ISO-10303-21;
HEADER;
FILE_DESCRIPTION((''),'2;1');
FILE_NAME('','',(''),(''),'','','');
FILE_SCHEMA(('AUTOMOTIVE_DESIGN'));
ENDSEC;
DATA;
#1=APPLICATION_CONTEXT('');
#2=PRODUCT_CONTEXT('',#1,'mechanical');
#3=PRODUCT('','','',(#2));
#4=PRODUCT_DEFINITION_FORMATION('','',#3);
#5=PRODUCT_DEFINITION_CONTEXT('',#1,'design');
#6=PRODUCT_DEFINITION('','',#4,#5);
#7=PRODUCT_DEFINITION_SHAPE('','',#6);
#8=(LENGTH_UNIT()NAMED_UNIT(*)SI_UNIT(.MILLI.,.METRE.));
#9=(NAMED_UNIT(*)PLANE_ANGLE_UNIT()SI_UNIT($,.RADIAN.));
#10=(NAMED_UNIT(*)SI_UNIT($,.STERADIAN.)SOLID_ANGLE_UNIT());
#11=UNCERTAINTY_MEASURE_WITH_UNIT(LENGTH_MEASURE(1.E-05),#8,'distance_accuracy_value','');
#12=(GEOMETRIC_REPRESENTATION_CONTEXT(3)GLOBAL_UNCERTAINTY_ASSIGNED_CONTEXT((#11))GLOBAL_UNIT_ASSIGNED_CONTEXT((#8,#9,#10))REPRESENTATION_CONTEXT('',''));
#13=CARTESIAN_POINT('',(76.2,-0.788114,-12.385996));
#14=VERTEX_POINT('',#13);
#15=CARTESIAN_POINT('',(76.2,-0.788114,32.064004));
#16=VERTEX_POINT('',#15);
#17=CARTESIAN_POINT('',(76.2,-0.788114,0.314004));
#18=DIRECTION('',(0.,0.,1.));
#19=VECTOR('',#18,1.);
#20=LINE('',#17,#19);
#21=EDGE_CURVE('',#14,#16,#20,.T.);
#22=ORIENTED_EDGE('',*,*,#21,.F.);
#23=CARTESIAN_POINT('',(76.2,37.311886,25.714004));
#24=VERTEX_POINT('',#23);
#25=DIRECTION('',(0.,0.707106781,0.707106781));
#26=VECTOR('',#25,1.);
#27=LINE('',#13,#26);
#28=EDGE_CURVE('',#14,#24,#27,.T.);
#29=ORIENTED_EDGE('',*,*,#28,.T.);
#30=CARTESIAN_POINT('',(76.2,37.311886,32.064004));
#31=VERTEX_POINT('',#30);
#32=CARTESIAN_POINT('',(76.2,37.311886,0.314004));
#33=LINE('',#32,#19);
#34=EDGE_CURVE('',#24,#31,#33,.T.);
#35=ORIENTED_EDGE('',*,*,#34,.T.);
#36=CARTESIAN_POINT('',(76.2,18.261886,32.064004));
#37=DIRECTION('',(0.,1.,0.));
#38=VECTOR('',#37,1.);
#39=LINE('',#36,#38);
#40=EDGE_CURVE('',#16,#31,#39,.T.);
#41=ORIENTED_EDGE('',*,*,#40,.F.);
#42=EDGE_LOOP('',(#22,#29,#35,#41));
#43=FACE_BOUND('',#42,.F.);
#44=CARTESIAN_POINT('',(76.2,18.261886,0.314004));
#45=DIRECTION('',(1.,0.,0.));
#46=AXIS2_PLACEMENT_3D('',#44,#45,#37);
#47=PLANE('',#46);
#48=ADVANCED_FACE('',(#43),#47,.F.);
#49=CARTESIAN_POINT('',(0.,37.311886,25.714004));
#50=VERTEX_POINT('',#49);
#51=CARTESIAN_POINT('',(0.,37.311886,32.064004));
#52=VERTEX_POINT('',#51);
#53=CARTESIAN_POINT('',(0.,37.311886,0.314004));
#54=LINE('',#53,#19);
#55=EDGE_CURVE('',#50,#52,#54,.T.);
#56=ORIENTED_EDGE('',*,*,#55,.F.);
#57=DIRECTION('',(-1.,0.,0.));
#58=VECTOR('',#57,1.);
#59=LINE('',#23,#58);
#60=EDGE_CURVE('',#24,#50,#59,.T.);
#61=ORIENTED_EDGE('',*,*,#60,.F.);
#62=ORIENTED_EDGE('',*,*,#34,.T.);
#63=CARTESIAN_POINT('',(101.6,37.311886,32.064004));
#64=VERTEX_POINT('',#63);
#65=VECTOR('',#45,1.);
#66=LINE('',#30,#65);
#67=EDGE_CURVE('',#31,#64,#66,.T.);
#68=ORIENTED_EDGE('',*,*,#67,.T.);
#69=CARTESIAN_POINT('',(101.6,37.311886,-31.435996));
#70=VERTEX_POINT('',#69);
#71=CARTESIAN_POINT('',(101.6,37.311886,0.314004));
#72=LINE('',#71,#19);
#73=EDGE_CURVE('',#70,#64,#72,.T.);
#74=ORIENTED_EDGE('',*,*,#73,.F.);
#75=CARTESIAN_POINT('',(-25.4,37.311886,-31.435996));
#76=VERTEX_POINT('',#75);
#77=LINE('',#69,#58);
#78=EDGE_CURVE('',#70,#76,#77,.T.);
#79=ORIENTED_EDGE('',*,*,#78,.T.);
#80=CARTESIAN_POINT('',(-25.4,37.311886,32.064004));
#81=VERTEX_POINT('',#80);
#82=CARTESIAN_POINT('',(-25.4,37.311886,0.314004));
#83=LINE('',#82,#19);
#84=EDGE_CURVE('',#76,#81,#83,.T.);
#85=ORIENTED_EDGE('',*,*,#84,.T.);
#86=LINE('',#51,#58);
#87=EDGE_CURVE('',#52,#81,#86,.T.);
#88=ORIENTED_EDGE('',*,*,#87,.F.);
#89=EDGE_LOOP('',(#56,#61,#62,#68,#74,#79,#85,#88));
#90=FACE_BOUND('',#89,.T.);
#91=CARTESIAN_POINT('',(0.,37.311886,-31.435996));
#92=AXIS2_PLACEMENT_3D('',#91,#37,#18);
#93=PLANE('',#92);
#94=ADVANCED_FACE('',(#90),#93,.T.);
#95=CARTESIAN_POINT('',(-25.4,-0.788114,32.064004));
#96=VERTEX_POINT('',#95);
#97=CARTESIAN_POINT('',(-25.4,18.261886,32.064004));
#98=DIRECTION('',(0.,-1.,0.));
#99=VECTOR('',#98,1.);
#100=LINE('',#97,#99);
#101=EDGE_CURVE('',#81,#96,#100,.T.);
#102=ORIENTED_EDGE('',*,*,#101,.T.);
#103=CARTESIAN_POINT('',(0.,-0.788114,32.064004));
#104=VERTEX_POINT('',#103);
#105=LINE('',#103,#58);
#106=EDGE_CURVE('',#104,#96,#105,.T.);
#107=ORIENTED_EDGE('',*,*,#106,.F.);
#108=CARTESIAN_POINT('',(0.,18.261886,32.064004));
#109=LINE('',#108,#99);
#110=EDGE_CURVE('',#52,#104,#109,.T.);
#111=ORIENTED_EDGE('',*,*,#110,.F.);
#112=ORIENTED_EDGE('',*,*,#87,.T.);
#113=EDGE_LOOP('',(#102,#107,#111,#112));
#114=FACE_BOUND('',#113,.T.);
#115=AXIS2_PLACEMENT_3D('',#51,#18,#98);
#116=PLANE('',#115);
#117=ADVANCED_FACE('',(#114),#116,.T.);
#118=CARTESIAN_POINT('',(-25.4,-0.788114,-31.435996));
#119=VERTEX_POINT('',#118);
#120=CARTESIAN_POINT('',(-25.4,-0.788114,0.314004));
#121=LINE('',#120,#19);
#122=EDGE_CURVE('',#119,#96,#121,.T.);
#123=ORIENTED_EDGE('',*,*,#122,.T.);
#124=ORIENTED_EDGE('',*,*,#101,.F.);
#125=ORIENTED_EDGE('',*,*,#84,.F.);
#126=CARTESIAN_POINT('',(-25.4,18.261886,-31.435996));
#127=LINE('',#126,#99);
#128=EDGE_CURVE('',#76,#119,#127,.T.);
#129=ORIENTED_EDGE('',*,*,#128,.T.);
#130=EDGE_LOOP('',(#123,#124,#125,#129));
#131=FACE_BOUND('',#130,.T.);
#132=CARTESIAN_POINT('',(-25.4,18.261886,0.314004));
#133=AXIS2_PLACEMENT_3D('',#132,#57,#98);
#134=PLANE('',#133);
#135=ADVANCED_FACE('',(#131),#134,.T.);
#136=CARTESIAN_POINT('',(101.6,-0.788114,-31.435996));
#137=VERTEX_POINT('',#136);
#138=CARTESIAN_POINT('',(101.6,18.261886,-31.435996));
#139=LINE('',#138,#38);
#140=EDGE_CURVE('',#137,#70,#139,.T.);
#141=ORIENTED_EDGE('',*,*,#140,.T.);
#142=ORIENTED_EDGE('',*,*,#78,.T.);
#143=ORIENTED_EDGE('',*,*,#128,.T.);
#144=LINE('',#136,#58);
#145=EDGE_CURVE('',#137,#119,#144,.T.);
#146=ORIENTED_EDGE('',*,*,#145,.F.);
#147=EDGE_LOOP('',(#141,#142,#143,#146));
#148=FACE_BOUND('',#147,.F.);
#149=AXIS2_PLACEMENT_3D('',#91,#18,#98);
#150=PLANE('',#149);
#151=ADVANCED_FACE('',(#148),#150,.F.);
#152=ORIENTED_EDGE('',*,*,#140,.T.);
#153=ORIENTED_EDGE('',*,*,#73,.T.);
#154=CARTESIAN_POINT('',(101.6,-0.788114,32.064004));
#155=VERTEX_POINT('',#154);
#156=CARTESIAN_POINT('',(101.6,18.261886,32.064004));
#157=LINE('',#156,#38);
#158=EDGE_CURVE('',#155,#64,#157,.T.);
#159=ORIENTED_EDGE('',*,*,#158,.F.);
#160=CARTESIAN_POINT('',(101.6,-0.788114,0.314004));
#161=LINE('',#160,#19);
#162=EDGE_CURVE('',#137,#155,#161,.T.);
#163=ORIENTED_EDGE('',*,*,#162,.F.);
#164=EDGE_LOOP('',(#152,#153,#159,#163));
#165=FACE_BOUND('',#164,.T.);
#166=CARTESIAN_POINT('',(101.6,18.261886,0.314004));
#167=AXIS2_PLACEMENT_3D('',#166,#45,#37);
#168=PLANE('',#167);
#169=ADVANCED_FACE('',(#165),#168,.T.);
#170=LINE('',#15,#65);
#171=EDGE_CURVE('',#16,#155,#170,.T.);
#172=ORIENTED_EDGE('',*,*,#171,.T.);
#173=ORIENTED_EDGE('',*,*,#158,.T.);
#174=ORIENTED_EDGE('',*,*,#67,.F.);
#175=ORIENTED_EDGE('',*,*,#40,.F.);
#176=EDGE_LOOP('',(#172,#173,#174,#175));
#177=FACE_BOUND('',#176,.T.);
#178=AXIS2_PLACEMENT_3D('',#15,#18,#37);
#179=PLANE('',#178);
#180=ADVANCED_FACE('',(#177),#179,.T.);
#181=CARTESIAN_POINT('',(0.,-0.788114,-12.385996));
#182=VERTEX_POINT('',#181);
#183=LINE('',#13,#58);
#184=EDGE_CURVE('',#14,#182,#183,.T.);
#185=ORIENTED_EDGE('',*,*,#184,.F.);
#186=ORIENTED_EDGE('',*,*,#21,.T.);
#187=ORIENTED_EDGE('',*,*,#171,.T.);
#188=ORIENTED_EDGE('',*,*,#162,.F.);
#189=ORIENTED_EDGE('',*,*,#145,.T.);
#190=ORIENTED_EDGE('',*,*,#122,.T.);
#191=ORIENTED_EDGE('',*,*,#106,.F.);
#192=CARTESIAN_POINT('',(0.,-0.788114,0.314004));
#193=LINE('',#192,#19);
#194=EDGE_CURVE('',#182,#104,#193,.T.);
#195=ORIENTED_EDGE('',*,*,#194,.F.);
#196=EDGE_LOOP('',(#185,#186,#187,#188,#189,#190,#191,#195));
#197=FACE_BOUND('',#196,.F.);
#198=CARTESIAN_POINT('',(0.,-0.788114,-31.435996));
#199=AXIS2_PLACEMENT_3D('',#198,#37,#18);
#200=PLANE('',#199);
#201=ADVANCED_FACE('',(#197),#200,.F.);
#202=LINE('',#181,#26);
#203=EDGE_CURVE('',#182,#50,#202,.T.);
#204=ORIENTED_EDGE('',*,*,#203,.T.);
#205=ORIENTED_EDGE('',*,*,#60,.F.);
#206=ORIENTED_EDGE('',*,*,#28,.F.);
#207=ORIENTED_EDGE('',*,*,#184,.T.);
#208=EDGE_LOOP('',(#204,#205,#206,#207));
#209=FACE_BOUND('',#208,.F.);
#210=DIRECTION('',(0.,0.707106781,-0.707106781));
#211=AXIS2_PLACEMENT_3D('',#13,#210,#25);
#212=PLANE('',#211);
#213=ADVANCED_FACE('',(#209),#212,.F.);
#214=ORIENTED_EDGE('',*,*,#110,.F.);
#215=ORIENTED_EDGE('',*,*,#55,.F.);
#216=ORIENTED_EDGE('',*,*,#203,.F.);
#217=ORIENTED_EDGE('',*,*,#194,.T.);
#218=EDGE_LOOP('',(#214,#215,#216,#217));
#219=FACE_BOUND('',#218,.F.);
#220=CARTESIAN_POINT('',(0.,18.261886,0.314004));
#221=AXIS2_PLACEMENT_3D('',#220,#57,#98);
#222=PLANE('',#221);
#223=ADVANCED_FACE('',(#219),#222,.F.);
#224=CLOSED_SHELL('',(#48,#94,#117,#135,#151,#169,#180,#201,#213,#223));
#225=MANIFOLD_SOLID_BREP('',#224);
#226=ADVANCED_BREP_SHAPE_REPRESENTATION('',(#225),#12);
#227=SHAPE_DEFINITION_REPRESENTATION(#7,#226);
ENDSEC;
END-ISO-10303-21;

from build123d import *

# Parameters (mm, degrees)
F0_W     = 38.1
F0_H     = 63.5
F1_DEPTH = 76.2
F3_DEPTH = 76.2
F4_W     = 38.1
F4_H     = 63.5
F5_DEPTH = 25.4
F6_W     = 38.1
F6_H     = 63.5
F7_DEPTH = 25.4


with BuildPart() as f1:
    # F0 (on Right) → F1 (new body)
    with BuildSketch(Plane.YZ):
        with Locations((18.2618855059, 0.314003706)):
            Rectangle(F0_W, F0_H)
    extrude(amount=F1_DEPTH)

    # F2 (on face) → F3 (cut)
    with BuildSketch(Plane.YZ.offset(76.2)):
        Polygon((-0.7881144941, 32.064003706), (-0.7881144941, -12.385996294), (37.3118855059, 25.714003706), (37.3118855059, 32.064003706), align=None)
    extrude(amount=-F3_DEPTH, mode=Mode.SUBTRACT)

    # F4 (on face) → F5 (join)
    with BuildSketch(Plane.YZ.offset(76.2)):
        with Locations((18.2618855059, 0.314003706)):
            Rectangle(F4_W, F4_H)
    extrude(amount=F5_DEPTH)

    # F6 (on face) → F7 (join)
    with BuildSketch(Plane(origin=(0, 0, 0), x_dir=(0, -1, 0), z_dir=(-1, 0, 0))):
        with Locations((-18.2618855059, 0.314003706)):
            Rectangle(F6_W, F6_H)
    extrude(amount=F7_DEPTH)


solid = f1.part
